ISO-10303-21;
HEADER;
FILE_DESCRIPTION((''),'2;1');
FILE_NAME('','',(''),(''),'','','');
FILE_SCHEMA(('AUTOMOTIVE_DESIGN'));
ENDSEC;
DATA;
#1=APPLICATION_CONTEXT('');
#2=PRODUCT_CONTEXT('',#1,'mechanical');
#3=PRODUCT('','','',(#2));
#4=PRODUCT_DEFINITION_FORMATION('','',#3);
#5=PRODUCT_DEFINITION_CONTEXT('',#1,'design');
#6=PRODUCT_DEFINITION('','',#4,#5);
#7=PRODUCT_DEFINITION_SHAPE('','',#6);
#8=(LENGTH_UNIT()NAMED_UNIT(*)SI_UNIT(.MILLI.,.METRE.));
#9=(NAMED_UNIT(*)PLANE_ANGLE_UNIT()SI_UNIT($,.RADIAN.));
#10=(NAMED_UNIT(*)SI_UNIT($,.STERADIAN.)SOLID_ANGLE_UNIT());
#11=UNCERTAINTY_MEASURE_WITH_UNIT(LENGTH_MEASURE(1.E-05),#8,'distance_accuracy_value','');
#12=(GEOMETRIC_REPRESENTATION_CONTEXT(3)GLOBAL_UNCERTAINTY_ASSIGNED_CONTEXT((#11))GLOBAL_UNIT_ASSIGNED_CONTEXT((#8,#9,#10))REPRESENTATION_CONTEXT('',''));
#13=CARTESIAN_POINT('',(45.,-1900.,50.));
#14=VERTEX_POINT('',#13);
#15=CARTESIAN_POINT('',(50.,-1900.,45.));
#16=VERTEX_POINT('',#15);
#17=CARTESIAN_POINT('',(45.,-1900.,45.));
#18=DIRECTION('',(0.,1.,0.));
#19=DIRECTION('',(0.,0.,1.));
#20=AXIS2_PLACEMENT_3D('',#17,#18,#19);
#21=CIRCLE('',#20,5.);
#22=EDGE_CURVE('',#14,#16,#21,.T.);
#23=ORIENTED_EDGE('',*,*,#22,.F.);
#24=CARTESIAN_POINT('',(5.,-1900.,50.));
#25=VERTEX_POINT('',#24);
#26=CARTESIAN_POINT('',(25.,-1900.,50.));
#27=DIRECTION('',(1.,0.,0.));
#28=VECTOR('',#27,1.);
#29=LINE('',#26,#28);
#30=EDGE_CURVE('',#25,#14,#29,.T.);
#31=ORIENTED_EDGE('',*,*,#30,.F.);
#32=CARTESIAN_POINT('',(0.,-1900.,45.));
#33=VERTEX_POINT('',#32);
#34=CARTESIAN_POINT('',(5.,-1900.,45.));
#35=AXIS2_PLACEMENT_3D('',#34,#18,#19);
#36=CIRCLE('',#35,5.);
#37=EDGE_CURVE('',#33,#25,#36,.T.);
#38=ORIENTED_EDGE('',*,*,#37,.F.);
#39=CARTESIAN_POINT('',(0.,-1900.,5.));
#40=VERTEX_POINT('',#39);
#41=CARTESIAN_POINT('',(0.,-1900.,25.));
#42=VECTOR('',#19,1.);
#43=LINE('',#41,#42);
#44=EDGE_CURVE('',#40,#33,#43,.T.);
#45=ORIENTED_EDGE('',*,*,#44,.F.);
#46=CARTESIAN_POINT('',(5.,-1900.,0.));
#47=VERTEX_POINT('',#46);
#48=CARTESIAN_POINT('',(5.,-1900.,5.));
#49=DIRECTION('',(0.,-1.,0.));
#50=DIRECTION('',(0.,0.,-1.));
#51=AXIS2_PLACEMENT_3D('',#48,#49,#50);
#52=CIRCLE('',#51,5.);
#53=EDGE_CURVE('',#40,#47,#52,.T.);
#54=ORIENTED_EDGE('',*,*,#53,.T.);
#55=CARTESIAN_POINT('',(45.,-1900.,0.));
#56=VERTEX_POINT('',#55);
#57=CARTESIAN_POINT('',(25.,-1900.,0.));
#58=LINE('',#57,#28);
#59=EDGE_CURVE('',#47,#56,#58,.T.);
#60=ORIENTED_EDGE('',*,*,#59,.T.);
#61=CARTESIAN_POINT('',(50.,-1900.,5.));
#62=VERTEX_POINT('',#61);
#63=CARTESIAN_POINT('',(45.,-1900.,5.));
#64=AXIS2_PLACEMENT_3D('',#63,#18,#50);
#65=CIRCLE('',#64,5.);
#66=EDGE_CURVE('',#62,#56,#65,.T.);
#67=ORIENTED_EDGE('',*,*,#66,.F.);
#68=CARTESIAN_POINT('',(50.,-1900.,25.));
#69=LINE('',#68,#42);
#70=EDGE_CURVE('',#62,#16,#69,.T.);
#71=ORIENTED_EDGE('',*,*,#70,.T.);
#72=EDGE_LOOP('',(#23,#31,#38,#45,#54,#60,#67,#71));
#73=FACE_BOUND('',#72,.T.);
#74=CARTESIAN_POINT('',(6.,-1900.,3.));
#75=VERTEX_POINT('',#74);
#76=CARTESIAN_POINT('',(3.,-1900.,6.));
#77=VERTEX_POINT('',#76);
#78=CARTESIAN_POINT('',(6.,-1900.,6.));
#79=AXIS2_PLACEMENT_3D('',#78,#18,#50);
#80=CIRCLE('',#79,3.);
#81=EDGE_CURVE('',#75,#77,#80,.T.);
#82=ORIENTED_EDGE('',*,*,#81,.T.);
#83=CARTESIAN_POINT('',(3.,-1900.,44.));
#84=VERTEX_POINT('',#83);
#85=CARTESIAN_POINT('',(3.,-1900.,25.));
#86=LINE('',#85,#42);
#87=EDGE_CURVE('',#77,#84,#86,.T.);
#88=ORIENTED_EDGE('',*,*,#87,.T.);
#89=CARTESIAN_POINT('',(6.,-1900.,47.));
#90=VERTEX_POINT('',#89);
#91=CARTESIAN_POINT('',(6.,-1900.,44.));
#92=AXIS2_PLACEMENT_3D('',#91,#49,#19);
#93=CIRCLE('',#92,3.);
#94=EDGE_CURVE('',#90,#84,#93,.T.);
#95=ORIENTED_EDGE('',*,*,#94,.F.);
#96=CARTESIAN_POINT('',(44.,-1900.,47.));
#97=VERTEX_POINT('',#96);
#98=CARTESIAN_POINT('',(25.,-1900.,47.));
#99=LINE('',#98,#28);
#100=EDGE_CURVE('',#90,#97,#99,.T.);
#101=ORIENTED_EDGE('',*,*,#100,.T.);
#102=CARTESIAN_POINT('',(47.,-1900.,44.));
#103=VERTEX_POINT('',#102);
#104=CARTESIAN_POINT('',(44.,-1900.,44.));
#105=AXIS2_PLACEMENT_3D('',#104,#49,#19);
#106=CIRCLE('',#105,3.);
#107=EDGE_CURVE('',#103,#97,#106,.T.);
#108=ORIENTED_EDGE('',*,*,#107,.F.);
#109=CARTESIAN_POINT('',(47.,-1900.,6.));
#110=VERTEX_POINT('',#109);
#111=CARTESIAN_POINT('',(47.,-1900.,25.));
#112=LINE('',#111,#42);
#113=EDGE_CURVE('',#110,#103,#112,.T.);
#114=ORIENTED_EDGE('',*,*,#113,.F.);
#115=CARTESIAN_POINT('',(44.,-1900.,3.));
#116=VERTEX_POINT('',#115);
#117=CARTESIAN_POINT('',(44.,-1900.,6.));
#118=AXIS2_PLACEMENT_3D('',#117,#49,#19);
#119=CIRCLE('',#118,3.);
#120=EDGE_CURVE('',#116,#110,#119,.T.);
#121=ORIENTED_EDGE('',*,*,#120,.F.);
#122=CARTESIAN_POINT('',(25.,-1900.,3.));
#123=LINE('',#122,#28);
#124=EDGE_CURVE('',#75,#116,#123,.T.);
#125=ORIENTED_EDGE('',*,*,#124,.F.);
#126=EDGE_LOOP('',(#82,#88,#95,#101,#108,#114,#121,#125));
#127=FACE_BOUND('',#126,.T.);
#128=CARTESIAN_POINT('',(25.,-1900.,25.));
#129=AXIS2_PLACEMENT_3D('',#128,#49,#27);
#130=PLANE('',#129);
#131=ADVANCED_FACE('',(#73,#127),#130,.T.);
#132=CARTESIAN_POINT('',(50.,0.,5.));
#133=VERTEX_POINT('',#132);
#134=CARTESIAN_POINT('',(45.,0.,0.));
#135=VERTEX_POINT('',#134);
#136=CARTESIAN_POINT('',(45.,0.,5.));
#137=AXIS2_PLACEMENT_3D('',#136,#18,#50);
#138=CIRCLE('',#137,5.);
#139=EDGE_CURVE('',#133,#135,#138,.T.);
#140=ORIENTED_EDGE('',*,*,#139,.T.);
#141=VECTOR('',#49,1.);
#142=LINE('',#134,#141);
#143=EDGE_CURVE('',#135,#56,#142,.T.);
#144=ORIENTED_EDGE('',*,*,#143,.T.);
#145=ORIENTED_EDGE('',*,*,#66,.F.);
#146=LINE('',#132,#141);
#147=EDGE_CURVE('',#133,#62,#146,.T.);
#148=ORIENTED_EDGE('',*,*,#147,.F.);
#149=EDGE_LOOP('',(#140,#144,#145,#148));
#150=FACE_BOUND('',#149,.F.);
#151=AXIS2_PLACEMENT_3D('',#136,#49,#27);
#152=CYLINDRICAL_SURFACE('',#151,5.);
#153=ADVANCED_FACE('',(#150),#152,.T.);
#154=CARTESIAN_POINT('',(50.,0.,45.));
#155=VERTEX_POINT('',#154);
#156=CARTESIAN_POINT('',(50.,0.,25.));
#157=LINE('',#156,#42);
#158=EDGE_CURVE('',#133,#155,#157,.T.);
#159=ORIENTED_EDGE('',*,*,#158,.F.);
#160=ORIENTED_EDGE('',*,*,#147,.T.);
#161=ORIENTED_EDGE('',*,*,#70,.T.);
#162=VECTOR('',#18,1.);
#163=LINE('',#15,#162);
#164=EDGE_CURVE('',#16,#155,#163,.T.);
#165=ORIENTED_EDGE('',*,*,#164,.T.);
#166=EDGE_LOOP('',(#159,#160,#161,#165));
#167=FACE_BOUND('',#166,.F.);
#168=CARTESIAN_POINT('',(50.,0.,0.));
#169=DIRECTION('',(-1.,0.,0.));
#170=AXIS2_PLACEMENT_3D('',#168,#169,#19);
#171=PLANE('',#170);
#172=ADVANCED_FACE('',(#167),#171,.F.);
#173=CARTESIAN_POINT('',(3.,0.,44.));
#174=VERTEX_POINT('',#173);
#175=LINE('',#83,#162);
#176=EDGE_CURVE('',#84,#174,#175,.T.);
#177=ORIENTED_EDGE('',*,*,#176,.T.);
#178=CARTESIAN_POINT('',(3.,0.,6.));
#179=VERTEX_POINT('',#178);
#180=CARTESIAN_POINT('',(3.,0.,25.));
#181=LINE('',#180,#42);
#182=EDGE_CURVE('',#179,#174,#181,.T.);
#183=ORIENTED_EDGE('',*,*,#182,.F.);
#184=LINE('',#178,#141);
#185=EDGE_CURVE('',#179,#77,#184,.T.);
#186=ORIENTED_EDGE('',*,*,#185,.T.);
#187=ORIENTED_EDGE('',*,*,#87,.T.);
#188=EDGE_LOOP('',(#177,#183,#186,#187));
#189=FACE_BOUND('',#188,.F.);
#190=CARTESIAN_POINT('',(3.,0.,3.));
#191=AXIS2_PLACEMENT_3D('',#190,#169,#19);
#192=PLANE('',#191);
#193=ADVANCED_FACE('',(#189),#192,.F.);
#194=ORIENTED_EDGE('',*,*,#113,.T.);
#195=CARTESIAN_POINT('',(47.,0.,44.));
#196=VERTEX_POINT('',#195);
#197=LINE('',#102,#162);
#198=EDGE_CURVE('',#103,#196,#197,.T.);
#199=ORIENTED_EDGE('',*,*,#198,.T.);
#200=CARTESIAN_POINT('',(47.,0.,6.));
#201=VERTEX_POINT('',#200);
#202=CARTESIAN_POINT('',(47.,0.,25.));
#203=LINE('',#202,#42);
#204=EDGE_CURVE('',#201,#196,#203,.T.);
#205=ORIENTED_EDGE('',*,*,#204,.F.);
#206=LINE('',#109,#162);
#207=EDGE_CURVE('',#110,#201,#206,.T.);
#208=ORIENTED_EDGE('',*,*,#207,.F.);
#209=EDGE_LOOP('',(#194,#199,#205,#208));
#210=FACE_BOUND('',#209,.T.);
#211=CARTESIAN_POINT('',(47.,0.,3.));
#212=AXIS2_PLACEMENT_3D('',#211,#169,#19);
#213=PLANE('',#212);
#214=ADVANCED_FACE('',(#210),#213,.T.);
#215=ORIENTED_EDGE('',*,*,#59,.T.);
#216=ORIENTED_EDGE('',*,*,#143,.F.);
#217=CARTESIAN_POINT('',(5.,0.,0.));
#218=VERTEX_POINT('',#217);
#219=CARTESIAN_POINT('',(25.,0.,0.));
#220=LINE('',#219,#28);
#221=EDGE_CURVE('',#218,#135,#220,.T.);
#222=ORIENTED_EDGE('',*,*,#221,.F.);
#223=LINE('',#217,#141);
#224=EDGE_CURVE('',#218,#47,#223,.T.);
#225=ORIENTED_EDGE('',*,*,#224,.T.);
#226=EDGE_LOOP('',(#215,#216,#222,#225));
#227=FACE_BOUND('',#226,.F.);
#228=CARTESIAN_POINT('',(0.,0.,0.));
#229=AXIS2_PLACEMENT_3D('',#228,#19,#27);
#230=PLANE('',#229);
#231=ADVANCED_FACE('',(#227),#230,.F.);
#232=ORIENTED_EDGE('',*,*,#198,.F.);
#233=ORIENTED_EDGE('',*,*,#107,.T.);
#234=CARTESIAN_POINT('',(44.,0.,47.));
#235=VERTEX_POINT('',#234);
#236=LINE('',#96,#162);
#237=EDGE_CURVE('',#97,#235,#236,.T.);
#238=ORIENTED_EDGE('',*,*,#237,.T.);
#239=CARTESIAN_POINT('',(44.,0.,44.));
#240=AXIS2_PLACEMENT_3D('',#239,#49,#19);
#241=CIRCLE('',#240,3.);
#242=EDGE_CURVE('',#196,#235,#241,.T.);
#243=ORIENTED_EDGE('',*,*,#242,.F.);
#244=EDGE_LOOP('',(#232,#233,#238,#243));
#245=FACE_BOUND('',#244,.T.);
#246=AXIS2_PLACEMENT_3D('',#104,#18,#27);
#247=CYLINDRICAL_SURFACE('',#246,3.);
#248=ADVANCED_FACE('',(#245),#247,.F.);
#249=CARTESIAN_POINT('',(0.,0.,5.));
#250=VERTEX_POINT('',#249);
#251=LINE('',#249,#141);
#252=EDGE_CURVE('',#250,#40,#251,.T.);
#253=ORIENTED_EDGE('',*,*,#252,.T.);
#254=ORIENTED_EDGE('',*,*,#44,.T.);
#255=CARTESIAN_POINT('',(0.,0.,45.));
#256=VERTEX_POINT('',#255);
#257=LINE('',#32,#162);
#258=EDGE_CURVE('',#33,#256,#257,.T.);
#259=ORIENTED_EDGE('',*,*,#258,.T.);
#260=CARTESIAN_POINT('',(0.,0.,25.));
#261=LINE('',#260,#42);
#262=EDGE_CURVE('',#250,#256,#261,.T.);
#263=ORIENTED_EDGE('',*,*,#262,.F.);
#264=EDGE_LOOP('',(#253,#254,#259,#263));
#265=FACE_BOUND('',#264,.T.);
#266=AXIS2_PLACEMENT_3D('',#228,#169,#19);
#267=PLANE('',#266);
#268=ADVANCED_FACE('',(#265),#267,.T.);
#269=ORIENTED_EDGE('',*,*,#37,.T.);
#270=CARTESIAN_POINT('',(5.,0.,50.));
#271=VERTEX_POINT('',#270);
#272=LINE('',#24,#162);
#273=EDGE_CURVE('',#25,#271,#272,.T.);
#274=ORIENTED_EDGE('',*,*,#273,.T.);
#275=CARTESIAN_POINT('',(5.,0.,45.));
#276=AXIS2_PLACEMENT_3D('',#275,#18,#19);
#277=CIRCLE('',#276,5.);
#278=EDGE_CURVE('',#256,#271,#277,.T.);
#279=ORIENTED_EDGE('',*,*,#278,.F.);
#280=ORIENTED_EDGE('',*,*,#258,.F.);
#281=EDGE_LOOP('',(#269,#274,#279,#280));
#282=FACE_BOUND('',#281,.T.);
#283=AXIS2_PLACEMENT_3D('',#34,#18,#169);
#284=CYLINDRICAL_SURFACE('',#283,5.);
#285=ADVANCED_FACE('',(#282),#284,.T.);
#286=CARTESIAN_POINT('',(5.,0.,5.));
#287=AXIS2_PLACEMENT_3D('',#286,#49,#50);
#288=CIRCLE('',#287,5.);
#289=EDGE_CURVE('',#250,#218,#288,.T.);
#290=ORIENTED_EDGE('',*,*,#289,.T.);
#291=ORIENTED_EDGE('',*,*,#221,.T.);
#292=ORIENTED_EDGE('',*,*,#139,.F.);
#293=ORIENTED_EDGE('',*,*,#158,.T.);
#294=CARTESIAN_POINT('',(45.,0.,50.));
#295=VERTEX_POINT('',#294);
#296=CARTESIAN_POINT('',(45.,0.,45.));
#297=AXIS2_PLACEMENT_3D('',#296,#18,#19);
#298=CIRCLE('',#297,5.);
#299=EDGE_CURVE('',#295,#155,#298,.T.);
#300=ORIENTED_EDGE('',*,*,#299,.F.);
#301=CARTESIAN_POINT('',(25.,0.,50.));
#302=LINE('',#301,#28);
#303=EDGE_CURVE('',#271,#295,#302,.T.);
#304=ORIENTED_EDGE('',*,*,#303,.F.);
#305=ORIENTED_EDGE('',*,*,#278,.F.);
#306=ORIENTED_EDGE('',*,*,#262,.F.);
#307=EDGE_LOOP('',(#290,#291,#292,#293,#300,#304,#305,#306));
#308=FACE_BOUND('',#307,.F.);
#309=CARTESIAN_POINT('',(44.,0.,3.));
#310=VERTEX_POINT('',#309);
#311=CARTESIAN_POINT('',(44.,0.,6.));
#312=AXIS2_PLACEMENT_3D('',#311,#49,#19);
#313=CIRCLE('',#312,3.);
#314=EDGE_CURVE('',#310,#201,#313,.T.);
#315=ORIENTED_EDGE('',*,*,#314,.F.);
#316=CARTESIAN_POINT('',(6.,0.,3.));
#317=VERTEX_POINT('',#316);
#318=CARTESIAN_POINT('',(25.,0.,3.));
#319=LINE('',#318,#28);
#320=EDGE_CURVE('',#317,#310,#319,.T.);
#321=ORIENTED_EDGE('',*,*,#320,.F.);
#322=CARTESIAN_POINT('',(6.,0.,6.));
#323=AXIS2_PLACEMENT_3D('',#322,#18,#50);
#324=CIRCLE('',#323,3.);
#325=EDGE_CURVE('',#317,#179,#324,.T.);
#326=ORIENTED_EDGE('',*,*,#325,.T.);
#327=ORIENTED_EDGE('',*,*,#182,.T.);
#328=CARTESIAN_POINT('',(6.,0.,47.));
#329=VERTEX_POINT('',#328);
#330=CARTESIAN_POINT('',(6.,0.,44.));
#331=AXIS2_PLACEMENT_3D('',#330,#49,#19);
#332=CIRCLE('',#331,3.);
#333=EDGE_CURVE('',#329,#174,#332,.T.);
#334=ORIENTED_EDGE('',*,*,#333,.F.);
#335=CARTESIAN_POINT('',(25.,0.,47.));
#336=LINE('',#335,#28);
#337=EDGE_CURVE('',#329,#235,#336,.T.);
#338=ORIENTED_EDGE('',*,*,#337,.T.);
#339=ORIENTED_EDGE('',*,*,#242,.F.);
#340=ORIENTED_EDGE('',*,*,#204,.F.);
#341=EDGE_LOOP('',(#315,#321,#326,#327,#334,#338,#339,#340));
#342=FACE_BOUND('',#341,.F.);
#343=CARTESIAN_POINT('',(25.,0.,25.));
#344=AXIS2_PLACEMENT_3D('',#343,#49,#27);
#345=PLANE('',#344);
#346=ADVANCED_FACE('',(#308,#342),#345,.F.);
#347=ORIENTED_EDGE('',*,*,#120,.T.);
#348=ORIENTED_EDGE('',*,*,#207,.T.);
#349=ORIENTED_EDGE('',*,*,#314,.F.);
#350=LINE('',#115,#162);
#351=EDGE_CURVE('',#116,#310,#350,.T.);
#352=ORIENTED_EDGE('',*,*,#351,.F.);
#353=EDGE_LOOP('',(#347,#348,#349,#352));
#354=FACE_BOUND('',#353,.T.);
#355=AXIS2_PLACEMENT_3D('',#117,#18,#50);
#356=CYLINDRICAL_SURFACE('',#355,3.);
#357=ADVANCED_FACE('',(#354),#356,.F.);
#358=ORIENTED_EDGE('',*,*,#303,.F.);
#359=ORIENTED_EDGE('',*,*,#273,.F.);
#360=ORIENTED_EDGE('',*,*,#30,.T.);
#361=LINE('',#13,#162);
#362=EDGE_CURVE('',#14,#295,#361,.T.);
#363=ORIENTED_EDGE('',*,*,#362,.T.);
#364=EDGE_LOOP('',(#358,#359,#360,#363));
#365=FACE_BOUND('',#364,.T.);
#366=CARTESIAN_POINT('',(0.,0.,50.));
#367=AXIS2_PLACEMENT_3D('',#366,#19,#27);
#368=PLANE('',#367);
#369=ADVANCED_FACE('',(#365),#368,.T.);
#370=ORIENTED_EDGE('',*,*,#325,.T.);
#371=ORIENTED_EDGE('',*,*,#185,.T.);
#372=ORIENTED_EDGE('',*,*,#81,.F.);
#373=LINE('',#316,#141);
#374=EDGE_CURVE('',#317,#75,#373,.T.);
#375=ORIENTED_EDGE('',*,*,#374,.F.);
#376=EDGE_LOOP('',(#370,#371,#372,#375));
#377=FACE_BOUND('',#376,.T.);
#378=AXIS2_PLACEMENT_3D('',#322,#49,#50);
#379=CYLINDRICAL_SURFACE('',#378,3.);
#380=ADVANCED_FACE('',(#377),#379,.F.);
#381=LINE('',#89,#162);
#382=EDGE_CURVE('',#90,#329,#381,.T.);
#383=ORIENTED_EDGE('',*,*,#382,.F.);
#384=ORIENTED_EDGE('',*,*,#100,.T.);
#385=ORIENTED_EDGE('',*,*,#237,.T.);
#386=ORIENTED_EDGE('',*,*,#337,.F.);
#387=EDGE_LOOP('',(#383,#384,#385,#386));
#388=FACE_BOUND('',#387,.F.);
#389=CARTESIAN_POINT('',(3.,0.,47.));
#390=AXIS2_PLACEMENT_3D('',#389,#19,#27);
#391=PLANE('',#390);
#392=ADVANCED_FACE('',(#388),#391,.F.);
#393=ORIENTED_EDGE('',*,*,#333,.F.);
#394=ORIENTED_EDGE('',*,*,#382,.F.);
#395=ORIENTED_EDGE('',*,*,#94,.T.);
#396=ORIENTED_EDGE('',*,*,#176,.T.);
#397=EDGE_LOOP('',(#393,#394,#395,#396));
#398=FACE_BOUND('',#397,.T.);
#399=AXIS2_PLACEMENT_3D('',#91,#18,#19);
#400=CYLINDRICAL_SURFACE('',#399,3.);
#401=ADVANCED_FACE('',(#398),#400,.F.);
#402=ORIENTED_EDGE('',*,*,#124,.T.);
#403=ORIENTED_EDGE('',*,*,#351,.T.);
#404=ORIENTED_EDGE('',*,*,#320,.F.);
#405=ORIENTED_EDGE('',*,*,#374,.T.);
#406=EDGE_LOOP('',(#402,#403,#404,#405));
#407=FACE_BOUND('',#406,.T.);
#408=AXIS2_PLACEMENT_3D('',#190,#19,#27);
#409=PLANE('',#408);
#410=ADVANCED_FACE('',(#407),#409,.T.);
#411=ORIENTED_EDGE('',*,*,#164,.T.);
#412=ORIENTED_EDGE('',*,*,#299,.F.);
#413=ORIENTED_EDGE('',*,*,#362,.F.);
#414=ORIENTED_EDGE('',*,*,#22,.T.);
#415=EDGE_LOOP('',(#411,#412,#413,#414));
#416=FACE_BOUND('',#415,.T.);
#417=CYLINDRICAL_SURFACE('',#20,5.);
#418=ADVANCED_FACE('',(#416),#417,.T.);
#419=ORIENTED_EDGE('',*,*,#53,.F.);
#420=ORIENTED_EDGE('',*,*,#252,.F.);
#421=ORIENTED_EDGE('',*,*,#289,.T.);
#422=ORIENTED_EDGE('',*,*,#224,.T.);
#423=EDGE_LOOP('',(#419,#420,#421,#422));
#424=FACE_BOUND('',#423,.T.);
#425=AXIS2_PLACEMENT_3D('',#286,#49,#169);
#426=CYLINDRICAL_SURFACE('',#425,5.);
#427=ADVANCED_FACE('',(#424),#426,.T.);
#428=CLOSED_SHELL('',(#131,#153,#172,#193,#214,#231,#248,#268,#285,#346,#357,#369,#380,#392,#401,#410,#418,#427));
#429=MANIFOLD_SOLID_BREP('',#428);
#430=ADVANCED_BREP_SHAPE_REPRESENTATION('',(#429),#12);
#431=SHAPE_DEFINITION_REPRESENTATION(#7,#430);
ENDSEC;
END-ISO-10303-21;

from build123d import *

# Parameters (mm, degrees)
F0_W     = 50
F0_H     = 50
F0_W_2   = 44
F0_H_2   = 44
F1_DEPTH = 1900
F2_DEPTH = 100
F3_R     = 5
F4_R     = 3


with BuildPart() as f1:
    # F0 (on Front) → F1 (new body)
    with BuildSketch(Plane.XZ):
        with Locations((25, 25)):
            Rectangle(F0_W, F0_H)
        with Locations((25, 25)):
            Rectangle(F0_W_2, F0_H_2, mode=Mode.SUBTRACT)
    extrude(amount=F1_DEPTH)

    # F0 (on Front) → F2 (join)
    with BuildSketch(Plane.XZ):
        with Locations((25, 25)):
            Rectangle(F0_W, F0_H)
        with Locations((25, 25)):
            Rectangle(F0_W_2, F0_H_2, mode=Mode.SUBTRACT)
    extrude(amount=F2_DEPTH)

    # F3
    f3_edges = [f1.edges().sort_by_distance(p)[0] for p in [
        (50, -950, 50),
        (50, -950, 0),
        (0, -950, 0),
        (0, -950, 50),
    ]]
    fillet(f3_edges, radius=F3_R)

    # F4
    f4_edges = [f1.edges().sort_by_distance(p)[0] for p in [
        (47, -950, 47),
        (3, -950, 3),
        (3, -950, 47),
        (47, -950, 3),
    ]]
    fillet(f4_edges, radius=F4_R)


solid = f1.part
